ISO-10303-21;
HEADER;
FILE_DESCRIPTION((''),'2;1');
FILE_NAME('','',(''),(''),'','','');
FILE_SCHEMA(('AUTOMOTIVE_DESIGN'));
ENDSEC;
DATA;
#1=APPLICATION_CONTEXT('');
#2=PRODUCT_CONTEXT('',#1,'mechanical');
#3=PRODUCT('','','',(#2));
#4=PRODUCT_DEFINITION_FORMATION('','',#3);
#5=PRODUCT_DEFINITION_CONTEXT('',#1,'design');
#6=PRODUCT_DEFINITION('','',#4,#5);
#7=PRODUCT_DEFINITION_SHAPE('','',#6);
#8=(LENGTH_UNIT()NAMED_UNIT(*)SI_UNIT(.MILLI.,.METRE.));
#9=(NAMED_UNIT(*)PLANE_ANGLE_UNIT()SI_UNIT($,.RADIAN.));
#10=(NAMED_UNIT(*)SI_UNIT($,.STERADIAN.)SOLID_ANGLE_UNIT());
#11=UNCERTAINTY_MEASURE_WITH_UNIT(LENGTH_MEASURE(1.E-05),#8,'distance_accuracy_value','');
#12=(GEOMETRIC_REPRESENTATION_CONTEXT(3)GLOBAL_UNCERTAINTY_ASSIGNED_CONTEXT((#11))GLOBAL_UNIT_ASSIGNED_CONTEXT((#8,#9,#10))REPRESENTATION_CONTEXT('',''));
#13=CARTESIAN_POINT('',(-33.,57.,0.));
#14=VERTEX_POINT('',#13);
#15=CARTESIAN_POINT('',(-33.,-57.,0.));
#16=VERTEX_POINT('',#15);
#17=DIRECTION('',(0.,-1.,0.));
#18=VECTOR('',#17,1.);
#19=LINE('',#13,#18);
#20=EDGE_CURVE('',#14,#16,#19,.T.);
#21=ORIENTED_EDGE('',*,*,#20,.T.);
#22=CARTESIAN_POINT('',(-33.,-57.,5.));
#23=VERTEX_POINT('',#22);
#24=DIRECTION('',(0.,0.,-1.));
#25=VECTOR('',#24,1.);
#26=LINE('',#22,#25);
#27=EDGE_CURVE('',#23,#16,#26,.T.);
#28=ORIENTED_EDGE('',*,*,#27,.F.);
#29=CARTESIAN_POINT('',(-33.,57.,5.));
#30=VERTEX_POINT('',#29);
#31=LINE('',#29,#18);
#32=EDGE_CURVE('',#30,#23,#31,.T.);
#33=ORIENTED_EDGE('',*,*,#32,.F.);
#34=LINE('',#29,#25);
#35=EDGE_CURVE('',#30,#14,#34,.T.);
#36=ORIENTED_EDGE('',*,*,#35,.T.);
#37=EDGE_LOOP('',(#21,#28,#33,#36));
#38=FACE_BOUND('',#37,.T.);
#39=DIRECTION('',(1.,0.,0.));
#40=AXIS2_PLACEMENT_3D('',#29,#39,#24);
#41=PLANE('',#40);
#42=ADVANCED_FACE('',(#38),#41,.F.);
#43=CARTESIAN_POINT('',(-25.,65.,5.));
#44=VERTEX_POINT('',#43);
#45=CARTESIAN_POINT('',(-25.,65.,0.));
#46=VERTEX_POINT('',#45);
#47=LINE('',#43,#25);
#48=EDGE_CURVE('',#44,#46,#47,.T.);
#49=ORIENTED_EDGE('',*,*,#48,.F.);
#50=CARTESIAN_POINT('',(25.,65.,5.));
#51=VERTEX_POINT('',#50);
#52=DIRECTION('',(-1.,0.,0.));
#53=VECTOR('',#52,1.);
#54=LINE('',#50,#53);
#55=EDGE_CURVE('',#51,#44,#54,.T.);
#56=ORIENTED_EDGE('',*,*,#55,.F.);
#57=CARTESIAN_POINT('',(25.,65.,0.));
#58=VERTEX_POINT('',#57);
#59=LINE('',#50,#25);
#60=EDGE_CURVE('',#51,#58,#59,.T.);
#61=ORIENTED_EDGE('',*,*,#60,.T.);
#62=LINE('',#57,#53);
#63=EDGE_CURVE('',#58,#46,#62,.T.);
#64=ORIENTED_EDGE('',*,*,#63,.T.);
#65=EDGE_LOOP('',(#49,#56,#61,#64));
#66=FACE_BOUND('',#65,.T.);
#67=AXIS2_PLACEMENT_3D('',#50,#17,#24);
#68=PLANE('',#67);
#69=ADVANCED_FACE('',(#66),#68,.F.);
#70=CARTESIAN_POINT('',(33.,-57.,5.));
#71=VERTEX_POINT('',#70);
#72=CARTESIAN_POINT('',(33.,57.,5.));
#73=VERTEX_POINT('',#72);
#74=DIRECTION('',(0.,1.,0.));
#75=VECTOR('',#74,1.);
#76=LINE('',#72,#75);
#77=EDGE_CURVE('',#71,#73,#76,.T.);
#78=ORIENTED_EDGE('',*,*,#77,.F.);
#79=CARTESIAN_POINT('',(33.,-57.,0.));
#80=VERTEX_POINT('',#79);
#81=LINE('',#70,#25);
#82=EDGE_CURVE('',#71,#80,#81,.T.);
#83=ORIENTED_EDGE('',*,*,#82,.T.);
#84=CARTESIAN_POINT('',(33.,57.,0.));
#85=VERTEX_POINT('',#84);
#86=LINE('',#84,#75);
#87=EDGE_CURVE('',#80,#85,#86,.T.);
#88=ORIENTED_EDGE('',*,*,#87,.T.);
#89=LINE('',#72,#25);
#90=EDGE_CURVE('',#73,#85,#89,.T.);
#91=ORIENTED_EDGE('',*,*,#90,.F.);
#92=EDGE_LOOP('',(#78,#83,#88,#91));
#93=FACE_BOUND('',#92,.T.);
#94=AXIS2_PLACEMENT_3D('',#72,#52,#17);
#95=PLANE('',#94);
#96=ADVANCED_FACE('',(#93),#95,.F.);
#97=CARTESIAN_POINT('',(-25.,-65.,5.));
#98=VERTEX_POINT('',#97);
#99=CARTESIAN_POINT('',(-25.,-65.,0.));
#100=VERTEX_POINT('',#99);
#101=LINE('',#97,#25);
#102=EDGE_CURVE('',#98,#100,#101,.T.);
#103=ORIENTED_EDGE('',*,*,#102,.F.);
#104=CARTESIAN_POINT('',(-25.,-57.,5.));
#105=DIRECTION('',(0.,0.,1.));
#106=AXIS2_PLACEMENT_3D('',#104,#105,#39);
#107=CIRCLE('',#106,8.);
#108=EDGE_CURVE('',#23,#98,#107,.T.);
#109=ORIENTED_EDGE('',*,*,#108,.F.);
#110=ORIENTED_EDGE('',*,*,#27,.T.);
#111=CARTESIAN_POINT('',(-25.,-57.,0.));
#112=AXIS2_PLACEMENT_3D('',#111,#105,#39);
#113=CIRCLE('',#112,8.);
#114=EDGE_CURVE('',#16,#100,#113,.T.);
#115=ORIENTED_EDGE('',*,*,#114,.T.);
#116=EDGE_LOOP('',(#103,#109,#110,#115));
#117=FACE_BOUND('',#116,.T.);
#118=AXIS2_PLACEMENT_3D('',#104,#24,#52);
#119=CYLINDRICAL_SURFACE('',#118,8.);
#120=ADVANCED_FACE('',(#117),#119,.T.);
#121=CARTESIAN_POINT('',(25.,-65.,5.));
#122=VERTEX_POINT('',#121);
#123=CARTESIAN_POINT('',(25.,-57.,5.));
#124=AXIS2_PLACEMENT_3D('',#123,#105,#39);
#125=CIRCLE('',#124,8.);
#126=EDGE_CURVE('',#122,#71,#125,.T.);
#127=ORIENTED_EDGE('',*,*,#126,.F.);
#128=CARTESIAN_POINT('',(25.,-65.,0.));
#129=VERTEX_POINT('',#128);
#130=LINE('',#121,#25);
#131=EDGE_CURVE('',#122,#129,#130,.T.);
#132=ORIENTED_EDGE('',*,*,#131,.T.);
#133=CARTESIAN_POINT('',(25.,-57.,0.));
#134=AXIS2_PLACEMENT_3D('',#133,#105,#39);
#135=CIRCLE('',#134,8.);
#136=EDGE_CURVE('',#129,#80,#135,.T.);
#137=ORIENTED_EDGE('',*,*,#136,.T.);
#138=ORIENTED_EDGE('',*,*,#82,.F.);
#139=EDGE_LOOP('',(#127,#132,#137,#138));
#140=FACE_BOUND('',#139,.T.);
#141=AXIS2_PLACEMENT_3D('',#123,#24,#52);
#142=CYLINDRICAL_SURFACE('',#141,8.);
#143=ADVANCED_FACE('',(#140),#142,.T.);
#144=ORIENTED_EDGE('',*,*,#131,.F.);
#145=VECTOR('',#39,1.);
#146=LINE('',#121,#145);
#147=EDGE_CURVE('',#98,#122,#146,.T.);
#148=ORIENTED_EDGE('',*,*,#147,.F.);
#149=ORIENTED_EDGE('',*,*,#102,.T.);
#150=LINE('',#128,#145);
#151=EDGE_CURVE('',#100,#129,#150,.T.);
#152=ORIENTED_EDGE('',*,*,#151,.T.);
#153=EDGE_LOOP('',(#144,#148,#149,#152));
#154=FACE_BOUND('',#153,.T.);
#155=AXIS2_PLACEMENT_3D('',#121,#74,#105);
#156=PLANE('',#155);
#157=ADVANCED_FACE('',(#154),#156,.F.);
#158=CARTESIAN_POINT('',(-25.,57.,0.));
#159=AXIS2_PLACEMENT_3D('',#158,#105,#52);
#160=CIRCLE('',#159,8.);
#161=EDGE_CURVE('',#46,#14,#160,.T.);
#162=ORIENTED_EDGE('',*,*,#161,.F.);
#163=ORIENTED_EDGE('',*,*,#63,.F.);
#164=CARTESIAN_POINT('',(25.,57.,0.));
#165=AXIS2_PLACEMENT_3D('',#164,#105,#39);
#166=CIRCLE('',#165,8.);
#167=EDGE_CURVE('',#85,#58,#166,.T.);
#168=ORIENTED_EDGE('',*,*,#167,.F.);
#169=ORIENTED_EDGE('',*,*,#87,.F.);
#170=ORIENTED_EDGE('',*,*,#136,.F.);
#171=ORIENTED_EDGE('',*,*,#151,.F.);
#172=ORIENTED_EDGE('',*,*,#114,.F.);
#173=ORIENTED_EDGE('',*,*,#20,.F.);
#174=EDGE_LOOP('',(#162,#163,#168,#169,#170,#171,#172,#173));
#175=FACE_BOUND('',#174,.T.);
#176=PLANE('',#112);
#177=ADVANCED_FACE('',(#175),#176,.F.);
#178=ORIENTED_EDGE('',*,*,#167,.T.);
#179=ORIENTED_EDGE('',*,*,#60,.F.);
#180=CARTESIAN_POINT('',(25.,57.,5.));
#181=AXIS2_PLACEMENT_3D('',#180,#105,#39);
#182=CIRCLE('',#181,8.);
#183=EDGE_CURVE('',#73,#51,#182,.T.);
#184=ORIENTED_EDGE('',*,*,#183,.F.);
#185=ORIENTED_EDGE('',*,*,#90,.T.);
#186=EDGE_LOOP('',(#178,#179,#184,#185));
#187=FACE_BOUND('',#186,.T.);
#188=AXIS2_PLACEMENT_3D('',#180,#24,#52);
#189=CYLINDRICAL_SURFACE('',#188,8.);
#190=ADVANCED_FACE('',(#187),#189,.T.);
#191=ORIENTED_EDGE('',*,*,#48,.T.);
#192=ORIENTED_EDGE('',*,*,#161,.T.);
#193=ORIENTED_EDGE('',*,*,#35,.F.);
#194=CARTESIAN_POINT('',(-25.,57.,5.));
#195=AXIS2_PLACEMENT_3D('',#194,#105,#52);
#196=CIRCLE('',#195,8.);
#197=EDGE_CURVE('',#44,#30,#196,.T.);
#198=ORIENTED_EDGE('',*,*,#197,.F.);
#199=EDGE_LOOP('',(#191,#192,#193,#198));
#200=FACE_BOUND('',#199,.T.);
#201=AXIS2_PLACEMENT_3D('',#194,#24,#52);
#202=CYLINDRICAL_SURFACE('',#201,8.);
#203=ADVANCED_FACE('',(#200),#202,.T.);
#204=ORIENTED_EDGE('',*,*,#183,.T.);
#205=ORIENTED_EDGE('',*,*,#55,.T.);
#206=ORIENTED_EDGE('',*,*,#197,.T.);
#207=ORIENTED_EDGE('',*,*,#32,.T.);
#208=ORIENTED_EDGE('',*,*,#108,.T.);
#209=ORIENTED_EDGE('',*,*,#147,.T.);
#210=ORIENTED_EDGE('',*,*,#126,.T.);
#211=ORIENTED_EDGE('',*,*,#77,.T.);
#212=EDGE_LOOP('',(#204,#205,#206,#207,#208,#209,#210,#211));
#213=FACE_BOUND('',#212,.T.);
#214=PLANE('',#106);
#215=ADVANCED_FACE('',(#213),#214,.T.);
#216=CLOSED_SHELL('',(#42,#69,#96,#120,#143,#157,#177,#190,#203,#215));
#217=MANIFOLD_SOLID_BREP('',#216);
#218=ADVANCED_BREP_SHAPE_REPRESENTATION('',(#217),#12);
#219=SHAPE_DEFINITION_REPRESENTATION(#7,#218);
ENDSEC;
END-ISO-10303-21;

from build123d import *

# Parameters (mm, degrees)
BOSS_EXTRUDE1_DEPTH = 5


with BuildPart() as part:
    # Sketch1 → Boss-Extrude1 (new body)
    with BuildSketch(Plane.XY):
        with BuildLine():
            Line((25, 65), (-25, 65))
            ThreePointArc((-25, 65), (-30.656854249, 62.656854249), (-33, 57))
            Line((-33, 57), (-33, -57))
            ThreePointArc((-33, -57), (-30.656854249, -62.656854249), (-25, -65))
            Line((-25, -65), (25, -65))
            ThreePointArc((25, -65), (30.656854249, -62.656854249), (33, -57))
            Line((33, -57), (33, 57))
            ThreePointArc((33, 57), (30.656854249, 62.656854249), (25, 65))
        make_face()
    extrude(amount=BOSS_EXTRUDE1_DEPTH)


solid = part.part
